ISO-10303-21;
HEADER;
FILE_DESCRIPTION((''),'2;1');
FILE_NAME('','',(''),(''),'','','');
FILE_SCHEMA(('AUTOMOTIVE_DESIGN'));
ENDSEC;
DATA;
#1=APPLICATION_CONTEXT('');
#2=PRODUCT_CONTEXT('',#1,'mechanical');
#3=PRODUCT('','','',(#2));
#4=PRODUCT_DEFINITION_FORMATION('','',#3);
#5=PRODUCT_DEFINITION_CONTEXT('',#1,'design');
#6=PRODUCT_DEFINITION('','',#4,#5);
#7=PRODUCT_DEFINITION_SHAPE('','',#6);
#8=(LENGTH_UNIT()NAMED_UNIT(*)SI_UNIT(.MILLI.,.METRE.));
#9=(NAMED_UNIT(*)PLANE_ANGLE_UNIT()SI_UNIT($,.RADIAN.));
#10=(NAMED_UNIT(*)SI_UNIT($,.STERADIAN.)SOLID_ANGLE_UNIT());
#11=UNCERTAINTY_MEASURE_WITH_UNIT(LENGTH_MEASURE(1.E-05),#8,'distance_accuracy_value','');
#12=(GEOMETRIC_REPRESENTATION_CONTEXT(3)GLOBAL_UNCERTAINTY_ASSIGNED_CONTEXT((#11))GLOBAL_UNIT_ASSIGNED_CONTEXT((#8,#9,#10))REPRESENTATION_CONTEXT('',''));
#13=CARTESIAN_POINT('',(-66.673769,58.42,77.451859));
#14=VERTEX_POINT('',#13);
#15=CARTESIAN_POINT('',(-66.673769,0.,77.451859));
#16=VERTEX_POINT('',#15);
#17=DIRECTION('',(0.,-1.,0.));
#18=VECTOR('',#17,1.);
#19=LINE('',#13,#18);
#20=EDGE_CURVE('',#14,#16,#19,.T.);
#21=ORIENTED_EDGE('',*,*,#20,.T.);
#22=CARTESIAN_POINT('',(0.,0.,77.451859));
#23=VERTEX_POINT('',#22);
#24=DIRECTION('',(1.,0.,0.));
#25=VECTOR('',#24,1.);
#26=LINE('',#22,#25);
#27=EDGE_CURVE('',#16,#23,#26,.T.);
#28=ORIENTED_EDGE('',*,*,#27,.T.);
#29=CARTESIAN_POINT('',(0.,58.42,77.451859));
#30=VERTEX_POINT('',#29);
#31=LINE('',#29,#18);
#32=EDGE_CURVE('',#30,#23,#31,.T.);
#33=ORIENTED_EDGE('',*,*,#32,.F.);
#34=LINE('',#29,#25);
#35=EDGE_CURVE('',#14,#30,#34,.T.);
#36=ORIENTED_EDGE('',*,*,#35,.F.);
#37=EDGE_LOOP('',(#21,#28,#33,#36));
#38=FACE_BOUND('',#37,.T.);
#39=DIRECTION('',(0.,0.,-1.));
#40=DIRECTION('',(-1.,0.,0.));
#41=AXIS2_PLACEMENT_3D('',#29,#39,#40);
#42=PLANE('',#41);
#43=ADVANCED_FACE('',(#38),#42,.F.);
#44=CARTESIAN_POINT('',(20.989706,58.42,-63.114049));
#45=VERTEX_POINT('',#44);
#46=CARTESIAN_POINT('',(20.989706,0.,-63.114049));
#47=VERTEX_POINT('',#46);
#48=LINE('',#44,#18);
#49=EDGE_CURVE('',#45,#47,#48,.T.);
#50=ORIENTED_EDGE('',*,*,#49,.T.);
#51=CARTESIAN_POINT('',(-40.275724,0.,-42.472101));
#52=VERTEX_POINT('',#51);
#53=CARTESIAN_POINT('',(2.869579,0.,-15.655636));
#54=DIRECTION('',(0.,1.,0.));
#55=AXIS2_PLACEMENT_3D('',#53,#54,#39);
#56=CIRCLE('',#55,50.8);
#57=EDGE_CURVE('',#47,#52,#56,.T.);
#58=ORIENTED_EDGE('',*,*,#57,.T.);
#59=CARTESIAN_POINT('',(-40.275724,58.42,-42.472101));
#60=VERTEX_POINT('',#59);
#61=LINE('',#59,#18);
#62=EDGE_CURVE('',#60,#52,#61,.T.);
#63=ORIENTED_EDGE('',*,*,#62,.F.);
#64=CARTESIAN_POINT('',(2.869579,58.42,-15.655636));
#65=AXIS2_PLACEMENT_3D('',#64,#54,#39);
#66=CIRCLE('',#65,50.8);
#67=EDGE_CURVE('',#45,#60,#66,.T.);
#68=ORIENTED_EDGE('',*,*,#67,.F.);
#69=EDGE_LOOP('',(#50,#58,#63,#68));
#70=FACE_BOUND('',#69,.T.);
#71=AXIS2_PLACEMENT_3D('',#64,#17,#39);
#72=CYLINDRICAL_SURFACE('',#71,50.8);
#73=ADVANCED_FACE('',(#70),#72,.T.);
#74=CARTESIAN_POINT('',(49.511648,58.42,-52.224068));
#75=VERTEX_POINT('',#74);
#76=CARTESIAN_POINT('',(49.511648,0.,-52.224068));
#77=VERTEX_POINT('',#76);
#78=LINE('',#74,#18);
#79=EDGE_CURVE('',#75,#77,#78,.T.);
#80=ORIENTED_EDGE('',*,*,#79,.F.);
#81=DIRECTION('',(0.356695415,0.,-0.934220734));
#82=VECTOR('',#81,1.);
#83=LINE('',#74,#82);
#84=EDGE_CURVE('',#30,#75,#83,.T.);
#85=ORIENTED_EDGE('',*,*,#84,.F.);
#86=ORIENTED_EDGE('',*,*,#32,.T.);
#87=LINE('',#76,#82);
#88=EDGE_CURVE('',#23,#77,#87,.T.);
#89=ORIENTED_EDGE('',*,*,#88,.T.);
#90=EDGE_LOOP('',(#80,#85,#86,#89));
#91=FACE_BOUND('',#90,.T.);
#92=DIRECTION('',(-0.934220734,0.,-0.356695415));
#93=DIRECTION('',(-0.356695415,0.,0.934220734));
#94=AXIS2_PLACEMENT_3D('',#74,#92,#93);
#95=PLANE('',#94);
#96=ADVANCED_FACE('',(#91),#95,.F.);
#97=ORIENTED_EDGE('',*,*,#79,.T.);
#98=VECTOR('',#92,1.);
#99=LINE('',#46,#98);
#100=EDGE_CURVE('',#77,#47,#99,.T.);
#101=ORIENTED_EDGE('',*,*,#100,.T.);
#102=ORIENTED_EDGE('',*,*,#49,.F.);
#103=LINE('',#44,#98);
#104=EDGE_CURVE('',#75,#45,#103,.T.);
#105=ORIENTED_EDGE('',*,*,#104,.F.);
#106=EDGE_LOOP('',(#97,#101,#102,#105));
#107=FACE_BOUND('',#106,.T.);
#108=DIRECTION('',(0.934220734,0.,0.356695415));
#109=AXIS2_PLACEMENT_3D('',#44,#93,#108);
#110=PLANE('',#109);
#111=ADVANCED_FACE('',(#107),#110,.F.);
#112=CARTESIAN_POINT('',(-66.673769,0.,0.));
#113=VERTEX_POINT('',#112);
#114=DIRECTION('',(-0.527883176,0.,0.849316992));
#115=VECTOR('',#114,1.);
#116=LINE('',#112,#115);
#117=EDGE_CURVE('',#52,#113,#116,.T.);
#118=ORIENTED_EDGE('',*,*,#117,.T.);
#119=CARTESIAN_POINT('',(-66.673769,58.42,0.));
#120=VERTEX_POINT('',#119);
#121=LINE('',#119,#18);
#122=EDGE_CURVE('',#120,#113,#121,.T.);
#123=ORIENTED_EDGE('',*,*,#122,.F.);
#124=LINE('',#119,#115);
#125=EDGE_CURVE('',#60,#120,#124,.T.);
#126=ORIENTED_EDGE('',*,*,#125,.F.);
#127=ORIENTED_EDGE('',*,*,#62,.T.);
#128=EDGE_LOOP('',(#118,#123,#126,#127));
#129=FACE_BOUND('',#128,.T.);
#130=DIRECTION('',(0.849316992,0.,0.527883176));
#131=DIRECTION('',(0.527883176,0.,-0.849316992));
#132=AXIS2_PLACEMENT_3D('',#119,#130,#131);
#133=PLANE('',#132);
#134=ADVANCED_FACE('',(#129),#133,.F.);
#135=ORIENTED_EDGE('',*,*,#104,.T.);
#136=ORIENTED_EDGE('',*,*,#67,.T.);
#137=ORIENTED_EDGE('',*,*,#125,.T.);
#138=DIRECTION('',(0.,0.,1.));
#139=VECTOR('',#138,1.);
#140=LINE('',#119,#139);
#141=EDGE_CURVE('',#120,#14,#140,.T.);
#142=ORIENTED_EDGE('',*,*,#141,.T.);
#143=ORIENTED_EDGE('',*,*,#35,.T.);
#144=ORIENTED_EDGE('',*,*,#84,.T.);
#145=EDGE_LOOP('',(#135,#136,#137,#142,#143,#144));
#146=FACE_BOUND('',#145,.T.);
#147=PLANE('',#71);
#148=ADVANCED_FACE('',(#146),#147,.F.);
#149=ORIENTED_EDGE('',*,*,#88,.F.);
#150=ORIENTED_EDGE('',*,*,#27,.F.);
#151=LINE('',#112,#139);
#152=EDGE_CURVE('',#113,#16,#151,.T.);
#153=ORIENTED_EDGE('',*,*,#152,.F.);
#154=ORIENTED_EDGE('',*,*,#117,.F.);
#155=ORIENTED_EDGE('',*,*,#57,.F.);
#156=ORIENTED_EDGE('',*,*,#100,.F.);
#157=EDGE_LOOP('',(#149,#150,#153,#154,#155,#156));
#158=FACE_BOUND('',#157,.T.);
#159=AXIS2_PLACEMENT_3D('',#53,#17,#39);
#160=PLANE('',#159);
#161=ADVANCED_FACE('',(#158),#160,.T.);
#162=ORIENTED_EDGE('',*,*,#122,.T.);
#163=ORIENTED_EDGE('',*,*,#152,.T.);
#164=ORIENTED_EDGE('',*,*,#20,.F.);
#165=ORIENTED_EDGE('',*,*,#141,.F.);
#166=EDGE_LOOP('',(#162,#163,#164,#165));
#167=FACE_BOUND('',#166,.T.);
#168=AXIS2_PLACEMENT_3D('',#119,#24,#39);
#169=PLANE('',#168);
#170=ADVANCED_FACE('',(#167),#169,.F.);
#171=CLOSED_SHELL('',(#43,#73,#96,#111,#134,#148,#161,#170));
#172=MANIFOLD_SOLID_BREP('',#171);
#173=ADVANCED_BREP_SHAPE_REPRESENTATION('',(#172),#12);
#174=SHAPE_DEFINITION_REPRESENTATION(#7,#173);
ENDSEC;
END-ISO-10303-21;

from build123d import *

# Parameters (mm, degrees)
BOSS_EXTRUDE1_DEPTH = 58.42


with BuildPart() as part:
    # Sketch1 → Boss-Extrude1 (new body)
    with BuildSketch(Plane(origin=(0, 0, 0), x_dir=(1, 0, 0), z_dir=(0, 1, 0))):
        with BuildLine():
            Line((-66.673768512, 0), (-40.275724105, 42.472101149))
            ThreePointArc((-40.275724105, 42.472101149), (-13.350388976, 63.796602097), (20.98970616, 63.114049105))
            Line((20.98970616, 63.114049105), (49.511648498, 52.224068087))
            Line((49.511648498, 52.224068087), (0, -77.45185891))
            Line((0, -77.45185891), (-66.673768512, -77.45185891))
            Line((-66.673768512, -77.45185891), (-66.673768512, 0))
        make_face()
    extrude(amount=BOSS_EXTRUDE1_DEPTH)


solid = part.part
